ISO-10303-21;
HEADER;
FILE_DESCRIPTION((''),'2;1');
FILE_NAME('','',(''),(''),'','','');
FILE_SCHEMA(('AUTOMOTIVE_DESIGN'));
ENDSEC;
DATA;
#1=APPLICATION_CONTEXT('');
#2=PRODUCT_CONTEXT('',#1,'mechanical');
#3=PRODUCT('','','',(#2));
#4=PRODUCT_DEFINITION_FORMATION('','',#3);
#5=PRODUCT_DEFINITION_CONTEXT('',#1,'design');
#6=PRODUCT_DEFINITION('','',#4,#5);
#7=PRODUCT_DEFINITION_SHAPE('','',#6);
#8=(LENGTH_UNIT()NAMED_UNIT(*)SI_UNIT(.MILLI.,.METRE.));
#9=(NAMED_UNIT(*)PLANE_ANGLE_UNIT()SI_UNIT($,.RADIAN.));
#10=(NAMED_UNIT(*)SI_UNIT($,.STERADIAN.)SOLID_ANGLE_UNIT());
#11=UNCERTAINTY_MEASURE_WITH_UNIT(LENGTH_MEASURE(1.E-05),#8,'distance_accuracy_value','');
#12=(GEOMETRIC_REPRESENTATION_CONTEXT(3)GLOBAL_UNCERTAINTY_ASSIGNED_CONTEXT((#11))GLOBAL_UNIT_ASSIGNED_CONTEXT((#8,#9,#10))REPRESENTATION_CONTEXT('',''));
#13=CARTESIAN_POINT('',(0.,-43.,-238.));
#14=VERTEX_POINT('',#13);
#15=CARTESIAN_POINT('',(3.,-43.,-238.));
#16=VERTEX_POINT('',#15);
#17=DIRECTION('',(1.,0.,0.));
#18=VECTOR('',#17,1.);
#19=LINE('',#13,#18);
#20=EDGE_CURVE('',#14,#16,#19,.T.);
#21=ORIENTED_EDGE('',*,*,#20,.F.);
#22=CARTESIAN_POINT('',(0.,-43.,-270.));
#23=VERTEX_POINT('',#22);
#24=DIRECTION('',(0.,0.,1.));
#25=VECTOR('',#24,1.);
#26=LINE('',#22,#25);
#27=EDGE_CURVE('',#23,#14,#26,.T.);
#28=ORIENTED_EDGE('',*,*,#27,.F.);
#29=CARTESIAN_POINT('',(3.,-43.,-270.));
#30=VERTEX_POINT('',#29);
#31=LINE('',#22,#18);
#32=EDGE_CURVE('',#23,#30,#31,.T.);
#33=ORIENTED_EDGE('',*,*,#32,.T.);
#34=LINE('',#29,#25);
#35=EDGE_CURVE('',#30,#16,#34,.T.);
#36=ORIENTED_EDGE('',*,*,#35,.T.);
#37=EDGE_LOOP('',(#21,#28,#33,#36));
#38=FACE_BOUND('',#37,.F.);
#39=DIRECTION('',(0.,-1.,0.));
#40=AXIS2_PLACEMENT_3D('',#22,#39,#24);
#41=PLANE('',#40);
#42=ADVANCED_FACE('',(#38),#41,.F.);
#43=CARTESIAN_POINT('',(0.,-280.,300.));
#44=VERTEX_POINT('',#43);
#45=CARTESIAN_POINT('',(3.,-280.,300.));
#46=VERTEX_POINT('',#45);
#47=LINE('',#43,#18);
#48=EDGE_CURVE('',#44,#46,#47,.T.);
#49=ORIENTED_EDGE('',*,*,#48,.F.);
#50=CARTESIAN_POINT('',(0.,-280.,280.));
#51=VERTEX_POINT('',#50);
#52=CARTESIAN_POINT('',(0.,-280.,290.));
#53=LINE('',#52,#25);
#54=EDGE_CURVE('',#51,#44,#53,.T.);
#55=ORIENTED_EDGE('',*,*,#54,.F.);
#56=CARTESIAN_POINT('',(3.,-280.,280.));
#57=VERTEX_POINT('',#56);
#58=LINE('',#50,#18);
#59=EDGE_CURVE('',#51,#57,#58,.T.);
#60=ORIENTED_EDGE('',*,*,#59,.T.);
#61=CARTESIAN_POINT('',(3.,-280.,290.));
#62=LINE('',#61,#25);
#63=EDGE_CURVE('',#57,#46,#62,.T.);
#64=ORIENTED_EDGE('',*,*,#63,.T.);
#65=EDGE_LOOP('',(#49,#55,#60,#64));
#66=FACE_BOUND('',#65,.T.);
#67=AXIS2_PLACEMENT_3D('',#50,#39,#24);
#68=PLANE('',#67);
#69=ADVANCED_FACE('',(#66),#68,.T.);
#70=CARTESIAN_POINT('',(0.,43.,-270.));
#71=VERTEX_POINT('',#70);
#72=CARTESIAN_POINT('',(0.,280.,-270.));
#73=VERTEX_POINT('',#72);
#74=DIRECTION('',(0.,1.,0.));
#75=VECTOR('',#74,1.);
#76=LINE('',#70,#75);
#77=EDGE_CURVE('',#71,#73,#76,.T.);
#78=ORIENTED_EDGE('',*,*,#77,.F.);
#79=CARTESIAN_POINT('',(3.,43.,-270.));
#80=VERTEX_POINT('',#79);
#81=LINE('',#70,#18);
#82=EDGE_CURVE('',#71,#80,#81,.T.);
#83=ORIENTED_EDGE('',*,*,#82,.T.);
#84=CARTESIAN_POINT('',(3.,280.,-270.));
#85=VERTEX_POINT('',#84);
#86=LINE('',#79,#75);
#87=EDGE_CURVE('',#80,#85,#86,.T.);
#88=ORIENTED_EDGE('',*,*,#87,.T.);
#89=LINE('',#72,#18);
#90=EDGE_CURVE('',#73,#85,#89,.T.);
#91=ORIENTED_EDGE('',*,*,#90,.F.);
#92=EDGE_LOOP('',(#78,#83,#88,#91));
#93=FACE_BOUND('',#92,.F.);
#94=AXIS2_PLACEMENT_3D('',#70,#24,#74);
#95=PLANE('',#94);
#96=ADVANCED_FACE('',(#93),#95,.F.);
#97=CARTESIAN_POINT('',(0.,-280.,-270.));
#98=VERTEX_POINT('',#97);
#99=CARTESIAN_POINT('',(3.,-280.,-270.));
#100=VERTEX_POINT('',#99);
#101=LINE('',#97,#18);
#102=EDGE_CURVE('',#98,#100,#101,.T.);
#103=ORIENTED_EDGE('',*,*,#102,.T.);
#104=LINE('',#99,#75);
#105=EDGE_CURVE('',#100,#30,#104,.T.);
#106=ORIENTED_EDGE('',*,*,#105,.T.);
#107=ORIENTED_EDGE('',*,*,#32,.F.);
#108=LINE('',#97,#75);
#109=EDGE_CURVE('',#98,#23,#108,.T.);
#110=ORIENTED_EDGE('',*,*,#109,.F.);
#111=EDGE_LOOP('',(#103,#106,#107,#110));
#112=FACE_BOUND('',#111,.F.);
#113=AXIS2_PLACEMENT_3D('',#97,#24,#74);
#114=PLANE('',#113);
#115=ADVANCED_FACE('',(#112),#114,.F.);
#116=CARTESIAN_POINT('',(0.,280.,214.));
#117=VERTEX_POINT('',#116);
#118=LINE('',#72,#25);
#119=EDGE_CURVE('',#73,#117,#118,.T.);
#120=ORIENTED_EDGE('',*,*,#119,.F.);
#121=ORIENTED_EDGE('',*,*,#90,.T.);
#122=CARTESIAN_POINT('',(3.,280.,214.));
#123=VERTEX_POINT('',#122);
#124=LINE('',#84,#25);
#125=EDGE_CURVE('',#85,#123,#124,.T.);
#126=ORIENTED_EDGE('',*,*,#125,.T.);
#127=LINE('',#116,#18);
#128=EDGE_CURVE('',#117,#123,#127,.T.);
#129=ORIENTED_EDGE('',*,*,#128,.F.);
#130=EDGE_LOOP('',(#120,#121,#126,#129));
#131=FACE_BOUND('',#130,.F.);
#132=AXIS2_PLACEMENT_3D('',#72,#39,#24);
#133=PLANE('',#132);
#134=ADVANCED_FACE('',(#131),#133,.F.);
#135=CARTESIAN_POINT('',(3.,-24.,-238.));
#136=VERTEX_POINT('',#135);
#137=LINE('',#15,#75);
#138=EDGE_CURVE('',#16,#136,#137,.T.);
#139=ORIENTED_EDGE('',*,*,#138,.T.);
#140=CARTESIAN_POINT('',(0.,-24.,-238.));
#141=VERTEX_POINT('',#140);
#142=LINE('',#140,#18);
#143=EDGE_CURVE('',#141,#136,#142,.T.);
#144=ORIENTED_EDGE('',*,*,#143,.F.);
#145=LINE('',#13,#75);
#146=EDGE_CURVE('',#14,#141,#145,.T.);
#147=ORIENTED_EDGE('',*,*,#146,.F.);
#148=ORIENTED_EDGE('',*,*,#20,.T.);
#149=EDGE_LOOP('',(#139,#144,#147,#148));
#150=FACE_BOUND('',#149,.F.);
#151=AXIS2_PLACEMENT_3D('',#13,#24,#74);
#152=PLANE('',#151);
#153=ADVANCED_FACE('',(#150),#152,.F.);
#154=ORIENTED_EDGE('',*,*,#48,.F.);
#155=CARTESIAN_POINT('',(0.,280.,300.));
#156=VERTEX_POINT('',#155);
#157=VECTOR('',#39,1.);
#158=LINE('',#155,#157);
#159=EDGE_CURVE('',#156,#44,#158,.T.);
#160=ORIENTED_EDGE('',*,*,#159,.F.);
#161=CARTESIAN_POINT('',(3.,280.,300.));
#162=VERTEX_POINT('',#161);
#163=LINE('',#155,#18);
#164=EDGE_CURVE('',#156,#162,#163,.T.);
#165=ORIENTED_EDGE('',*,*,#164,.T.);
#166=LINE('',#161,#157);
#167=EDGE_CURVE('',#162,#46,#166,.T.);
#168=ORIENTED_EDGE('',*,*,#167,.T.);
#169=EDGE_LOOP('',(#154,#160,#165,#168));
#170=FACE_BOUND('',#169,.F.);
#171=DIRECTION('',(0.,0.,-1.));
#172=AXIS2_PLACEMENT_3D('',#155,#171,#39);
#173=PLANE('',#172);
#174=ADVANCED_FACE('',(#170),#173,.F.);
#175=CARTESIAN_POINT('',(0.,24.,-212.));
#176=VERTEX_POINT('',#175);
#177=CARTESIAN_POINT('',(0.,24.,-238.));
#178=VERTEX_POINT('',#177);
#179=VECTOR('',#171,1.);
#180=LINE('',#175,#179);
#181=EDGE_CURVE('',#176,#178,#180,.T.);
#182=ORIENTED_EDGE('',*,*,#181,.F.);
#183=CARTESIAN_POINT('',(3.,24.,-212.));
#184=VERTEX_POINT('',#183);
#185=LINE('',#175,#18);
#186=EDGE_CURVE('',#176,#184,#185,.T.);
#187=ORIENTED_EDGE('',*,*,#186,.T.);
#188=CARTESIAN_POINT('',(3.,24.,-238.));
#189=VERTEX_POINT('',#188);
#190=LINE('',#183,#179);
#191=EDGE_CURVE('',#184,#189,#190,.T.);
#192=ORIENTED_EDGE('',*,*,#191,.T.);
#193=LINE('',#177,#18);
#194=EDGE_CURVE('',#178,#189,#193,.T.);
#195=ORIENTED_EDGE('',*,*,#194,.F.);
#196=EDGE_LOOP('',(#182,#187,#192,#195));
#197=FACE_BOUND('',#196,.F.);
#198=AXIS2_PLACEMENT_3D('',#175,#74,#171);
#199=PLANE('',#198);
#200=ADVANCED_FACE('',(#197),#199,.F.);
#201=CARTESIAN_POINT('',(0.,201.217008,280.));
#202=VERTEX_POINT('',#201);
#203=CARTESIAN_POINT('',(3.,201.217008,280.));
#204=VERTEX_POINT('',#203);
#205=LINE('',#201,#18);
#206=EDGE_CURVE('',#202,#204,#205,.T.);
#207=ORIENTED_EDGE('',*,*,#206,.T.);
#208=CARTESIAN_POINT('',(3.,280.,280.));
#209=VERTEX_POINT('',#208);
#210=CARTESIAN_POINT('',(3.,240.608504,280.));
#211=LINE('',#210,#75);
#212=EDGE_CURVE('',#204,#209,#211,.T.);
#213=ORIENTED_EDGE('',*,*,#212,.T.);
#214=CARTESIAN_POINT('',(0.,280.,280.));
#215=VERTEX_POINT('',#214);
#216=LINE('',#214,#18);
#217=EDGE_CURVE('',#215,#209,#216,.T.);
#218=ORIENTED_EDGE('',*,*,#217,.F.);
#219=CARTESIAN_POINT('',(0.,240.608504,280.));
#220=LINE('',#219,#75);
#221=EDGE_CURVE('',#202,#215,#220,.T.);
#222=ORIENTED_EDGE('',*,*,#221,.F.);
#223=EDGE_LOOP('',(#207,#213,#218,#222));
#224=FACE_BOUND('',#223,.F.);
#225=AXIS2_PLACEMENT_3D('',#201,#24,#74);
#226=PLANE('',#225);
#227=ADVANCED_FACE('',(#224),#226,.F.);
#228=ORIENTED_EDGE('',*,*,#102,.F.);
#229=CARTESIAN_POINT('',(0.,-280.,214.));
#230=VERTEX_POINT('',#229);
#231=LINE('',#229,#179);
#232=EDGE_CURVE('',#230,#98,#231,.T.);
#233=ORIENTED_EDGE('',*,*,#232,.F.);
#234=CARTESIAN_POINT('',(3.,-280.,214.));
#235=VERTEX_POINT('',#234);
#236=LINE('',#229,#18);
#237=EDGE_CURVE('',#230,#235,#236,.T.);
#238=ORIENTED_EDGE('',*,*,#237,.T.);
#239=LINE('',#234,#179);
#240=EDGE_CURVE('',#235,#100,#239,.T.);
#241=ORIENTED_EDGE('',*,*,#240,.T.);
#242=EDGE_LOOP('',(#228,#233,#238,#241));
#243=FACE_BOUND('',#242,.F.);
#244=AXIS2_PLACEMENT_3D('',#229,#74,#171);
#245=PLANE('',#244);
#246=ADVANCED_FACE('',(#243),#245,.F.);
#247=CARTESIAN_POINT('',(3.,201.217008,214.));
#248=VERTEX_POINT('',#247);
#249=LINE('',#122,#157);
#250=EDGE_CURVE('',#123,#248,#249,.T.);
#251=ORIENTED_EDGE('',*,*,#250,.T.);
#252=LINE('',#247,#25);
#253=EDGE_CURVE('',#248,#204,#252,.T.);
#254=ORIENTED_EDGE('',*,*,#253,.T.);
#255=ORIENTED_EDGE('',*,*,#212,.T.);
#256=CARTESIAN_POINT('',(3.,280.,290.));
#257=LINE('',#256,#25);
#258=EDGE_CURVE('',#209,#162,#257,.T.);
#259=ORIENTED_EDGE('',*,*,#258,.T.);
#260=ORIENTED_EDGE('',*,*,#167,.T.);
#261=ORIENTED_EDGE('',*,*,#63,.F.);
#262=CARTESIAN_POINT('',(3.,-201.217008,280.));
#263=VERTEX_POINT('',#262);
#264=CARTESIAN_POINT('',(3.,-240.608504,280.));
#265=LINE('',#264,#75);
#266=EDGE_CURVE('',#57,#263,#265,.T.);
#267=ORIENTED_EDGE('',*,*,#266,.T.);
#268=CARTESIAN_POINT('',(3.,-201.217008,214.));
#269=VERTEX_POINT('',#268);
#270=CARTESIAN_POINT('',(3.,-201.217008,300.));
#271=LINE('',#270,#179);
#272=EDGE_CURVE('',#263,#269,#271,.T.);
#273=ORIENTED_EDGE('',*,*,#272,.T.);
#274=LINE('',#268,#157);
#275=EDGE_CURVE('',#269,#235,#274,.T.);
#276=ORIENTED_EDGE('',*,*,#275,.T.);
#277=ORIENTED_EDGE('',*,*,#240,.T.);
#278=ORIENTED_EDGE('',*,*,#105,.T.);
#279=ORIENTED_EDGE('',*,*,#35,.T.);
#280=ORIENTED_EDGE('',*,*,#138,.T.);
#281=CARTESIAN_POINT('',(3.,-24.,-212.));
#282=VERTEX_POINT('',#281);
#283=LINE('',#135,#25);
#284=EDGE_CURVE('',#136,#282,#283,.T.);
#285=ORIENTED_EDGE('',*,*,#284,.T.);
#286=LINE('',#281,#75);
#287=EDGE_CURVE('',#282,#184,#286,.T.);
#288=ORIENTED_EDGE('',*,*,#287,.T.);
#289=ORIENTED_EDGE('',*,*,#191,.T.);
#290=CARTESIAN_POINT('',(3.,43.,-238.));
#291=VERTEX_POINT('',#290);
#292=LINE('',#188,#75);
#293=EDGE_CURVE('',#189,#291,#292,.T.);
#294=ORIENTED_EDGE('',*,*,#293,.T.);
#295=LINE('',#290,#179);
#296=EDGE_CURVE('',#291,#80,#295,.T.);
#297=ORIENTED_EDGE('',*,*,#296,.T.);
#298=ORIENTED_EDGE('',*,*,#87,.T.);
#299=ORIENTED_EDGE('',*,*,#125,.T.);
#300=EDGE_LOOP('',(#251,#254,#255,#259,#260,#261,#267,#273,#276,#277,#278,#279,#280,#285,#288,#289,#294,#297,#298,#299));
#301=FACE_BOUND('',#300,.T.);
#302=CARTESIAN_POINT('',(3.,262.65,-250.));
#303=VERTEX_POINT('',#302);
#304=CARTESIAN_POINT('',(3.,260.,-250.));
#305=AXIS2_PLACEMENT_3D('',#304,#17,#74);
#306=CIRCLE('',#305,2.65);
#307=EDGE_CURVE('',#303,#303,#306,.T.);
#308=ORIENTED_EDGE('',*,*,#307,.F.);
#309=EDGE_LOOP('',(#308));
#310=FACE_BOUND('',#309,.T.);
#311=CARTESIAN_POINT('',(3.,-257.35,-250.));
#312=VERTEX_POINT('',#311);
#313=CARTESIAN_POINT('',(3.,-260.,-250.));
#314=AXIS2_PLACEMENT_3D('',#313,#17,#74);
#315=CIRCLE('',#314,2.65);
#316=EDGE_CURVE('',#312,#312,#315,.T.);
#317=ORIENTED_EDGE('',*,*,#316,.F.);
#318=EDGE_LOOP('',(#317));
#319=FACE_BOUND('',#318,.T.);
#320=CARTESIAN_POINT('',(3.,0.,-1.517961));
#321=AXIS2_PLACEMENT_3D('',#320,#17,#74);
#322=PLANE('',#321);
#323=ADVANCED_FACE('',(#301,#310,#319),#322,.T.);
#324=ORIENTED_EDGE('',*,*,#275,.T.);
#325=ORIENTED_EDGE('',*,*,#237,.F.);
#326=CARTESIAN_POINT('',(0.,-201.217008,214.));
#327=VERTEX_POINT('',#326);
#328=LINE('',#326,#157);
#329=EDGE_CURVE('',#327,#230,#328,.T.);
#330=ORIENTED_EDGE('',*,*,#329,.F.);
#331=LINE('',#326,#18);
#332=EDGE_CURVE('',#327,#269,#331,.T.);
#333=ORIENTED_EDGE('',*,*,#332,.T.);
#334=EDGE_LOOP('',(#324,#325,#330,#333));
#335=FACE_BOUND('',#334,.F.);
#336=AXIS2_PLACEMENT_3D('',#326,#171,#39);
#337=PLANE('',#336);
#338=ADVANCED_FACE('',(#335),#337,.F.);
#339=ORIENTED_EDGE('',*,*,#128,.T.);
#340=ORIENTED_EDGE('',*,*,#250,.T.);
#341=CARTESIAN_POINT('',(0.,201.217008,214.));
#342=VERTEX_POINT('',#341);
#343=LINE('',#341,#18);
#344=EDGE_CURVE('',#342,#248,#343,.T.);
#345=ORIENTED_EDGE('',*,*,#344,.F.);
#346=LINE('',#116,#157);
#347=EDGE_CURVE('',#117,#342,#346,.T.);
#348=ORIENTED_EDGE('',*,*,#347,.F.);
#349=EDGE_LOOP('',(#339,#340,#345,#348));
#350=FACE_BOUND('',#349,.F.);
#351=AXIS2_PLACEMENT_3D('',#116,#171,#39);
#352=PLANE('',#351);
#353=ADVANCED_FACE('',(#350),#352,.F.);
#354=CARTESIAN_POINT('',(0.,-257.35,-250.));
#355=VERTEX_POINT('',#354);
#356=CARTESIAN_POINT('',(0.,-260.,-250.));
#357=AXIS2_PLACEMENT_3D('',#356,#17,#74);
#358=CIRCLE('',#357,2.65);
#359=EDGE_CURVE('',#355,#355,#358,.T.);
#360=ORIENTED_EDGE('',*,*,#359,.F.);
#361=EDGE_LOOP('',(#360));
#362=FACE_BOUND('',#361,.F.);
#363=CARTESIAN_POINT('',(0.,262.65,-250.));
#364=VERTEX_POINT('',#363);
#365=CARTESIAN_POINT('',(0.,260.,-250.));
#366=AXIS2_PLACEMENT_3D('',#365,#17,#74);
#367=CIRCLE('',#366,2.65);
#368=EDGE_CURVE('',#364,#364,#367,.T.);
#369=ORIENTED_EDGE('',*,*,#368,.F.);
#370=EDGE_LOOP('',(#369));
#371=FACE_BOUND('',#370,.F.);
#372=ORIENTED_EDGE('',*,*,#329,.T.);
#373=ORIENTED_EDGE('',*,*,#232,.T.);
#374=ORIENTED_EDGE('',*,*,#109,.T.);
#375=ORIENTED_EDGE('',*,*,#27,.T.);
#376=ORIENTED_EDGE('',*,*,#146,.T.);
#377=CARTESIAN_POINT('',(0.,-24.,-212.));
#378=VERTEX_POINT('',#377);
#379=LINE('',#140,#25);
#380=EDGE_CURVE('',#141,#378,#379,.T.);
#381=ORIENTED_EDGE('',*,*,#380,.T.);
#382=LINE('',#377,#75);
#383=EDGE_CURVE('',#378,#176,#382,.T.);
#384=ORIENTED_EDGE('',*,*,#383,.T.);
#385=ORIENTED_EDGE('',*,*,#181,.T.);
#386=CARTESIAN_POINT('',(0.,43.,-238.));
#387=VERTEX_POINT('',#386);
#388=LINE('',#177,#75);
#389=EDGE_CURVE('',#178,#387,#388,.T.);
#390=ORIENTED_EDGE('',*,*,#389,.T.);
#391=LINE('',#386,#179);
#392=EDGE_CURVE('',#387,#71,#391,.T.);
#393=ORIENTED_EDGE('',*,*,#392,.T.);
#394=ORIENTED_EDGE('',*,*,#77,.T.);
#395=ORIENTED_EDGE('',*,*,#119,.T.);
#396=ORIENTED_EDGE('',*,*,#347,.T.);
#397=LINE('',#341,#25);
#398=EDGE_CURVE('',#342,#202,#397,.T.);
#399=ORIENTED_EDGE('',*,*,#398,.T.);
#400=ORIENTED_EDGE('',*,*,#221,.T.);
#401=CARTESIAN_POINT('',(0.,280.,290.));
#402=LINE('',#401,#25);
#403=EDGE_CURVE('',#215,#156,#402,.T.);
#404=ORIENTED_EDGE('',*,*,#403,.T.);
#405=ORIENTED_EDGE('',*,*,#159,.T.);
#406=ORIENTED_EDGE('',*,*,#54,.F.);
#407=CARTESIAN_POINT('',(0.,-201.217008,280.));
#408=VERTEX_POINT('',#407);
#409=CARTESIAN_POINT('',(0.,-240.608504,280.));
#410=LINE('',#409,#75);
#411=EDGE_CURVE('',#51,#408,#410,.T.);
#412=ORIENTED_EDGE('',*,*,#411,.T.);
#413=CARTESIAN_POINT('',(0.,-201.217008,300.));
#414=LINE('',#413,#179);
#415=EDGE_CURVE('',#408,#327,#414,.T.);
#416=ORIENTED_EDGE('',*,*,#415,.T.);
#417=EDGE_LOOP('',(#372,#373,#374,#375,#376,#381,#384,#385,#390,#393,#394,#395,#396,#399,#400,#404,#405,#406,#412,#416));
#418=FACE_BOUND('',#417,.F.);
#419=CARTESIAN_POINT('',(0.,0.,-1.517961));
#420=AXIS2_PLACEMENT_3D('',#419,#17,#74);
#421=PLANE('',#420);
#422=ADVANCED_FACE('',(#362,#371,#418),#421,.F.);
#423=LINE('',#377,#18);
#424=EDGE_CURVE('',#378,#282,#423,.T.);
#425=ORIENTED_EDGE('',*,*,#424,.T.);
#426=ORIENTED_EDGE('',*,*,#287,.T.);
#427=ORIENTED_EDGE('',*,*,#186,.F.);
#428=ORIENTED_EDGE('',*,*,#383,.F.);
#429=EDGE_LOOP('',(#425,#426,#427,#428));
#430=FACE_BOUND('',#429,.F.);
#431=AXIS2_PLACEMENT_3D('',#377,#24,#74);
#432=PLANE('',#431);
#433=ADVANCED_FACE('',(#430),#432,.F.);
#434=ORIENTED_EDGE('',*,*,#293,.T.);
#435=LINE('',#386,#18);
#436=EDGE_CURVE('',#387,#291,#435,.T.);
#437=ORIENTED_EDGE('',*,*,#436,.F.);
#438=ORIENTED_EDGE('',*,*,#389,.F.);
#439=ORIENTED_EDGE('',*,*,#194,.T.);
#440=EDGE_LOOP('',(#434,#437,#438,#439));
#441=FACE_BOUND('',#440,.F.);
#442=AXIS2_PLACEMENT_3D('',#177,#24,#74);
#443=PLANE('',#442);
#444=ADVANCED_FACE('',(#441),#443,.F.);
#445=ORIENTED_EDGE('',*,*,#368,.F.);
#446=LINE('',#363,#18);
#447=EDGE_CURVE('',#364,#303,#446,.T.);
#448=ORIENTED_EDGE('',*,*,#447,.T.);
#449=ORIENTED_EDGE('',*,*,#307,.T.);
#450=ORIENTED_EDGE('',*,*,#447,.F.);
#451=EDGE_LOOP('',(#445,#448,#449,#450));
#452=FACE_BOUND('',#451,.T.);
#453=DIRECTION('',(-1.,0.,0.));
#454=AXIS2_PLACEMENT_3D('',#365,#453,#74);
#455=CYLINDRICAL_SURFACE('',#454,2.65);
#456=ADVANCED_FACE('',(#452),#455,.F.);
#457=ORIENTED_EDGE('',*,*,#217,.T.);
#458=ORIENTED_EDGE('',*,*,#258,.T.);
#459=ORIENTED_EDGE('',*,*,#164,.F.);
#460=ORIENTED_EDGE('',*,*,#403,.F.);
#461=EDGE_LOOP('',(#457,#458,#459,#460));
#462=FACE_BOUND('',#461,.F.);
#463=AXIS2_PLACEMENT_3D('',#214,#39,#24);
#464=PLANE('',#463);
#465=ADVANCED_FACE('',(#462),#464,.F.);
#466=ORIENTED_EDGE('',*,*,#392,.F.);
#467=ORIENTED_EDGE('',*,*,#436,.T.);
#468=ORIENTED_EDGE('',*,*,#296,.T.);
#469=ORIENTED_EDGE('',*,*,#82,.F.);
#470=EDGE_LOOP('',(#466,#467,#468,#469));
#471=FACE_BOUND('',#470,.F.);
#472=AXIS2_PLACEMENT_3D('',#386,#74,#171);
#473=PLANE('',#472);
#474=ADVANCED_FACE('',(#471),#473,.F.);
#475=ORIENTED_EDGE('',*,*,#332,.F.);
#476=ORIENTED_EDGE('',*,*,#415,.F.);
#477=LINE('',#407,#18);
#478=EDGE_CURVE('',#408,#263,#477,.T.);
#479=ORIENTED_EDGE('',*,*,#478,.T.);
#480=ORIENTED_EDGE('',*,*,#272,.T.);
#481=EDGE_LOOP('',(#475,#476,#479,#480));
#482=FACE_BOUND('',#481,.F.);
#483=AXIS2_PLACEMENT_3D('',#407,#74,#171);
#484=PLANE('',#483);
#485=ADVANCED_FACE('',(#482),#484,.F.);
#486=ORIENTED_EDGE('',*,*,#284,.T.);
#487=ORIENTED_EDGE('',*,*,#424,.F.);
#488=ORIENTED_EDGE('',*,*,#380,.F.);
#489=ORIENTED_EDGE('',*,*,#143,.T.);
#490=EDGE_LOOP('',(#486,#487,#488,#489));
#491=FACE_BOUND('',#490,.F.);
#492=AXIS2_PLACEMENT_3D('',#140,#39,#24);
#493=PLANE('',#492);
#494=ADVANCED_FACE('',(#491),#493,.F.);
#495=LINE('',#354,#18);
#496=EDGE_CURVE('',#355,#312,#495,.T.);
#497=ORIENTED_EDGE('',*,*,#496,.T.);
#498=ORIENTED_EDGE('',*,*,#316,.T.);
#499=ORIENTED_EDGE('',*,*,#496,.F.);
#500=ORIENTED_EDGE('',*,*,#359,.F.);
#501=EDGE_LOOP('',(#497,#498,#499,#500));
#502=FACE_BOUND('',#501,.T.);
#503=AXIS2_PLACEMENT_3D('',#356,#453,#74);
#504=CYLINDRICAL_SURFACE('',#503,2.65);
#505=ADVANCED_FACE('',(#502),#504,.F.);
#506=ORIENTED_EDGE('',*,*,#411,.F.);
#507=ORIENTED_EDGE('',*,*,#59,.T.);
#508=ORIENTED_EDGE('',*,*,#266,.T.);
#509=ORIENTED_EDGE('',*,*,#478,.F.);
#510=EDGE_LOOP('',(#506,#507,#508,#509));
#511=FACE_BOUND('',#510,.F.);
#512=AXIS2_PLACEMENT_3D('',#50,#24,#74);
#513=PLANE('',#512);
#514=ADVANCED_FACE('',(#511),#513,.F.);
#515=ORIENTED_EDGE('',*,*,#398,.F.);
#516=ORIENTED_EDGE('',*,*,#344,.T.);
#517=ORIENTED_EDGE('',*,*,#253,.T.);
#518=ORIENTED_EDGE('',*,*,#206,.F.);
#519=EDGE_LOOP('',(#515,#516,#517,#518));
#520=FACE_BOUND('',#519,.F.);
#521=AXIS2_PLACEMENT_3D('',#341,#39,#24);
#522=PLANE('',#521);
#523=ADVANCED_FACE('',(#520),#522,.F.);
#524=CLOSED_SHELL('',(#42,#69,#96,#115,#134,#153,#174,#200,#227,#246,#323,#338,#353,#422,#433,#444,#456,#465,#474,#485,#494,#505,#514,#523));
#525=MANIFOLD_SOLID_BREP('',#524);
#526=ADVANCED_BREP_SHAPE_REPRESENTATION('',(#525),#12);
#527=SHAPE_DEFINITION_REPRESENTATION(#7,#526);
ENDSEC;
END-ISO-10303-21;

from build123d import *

# Parameters (mm, degrees)
F0_R     = 2.65
F0_W     = 78.782992
F0_H     = 20
F1_DEPTH = 3


with BuildPart() as f1:
    # F0 (on Right) → F1 (new body)
    with BuildSketch(Plane.YZ):
        Polygon((280, -270), (280, -260), (280, 214), (201.217008, 214), (201.217008, 280), (201.217008, 300), (-201.217008, 300), (-201.217008, 280), (-201.217008, 214), (-280, 214), (-280, -270), (-43, -270), (-43, -238), (-24, -238), (-24, -212), (24, -212), (24, -238), (43, -238), (43, -270), align=None)
        with Locations((-260, -250)):
            Circle(F0_R, mode=Mode.SUBTRACT)
        with Locations((260, -250)):
            Circle(F0_R, mode=Mode.SUBTRACT)
        with Locations((240.608504, 290)):
            Rectangle(F0_W, F0_H)
        with Locations((-240.608504, 290)):
            Rectangle(F0_W, F0_H)
    extrude(amount=F1_DEPTH)


solid = f1.part
